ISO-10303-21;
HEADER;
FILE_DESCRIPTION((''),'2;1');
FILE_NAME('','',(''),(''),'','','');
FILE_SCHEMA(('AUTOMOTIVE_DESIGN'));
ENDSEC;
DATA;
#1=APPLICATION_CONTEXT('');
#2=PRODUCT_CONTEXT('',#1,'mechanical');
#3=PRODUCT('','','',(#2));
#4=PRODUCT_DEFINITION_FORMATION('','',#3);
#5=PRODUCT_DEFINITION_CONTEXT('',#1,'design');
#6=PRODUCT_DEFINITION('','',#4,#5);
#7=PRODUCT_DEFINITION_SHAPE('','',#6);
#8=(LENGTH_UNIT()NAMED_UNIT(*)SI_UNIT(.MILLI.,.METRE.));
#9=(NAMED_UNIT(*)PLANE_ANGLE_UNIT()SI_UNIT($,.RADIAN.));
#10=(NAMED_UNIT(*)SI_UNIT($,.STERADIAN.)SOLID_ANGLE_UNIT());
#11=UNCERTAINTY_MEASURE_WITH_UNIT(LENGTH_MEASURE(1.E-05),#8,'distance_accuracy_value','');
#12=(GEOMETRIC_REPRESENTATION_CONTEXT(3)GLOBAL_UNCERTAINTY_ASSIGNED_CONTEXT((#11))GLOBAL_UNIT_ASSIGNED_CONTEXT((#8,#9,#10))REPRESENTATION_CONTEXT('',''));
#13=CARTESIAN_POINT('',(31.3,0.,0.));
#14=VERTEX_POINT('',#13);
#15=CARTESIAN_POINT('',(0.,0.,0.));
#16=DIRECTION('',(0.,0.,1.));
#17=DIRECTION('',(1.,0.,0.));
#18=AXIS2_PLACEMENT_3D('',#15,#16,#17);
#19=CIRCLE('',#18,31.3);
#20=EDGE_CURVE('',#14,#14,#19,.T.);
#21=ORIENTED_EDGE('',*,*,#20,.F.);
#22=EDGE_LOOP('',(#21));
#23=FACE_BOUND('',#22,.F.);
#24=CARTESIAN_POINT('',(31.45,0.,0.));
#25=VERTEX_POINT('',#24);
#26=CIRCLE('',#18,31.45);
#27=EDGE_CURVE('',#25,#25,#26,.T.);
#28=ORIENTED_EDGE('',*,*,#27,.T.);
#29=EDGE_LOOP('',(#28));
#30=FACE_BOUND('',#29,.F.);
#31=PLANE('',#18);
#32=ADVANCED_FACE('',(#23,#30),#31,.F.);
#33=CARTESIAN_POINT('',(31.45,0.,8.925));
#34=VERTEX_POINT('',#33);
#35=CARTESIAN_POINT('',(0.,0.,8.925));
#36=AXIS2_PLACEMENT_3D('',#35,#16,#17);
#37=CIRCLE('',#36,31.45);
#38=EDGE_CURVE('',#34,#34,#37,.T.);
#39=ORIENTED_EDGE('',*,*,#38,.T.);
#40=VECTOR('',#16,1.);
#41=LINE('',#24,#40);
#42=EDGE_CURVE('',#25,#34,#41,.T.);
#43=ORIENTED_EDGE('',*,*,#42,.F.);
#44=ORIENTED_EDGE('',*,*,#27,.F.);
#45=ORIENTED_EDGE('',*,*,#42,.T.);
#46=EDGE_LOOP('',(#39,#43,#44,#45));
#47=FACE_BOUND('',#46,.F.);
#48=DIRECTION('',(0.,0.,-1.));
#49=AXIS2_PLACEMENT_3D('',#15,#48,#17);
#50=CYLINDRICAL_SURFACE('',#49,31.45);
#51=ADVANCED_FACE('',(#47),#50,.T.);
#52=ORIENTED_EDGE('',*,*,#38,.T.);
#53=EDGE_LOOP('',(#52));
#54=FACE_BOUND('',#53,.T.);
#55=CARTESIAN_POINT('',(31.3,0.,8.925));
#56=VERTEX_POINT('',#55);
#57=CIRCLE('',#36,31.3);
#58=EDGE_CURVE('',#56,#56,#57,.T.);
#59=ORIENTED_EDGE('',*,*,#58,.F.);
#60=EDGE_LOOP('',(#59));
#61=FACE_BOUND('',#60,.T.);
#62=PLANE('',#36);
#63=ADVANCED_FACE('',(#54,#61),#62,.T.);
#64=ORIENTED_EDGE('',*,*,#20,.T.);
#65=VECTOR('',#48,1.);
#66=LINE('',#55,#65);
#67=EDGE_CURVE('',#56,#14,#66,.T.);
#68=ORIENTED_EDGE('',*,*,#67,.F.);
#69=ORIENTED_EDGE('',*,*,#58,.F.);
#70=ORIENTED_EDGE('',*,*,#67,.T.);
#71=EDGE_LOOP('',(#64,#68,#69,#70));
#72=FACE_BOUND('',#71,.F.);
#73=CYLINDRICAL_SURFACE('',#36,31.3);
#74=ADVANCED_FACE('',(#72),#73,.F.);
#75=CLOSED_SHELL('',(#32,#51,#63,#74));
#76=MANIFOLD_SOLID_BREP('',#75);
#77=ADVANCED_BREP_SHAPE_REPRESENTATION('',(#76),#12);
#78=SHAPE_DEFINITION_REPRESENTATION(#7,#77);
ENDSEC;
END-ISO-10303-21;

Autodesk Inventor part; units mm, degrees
ref_plane "YZ Plane" through (0, 0, 0) normal (1, 0, 0) x (0, 1, 0)
ref_plane "XZ Plane" through (0, 0, 0) normal (0, 1, 0) x (-1, 0, 0)
ref_plane "XY Plane" through (0, 0, 0) normal (0, 0, 1) x (1, 0, 0)
sketch "Sketch1" plane through (0, 0, 0) normal (0, 0, 1) x (1, 0, 0)
  circle A0 centre (0, 0) radius 31.45
  dimension "d0" = 62.9
extrude "Extrusion1" add sketch "Sketch1" along normal blind 8.925
sketch "Sketch2" plane through (0, 0, 8.925) normal (0, 0, 1) x (1, 0, 0)
  circle A0 centre (0, 0) radius 31.3
  dimension "d3" = 62.6
extrude "Extrusion2" cut sketch "Sketch2" against normal through all
properties part number "BNG_REV_00_6"
